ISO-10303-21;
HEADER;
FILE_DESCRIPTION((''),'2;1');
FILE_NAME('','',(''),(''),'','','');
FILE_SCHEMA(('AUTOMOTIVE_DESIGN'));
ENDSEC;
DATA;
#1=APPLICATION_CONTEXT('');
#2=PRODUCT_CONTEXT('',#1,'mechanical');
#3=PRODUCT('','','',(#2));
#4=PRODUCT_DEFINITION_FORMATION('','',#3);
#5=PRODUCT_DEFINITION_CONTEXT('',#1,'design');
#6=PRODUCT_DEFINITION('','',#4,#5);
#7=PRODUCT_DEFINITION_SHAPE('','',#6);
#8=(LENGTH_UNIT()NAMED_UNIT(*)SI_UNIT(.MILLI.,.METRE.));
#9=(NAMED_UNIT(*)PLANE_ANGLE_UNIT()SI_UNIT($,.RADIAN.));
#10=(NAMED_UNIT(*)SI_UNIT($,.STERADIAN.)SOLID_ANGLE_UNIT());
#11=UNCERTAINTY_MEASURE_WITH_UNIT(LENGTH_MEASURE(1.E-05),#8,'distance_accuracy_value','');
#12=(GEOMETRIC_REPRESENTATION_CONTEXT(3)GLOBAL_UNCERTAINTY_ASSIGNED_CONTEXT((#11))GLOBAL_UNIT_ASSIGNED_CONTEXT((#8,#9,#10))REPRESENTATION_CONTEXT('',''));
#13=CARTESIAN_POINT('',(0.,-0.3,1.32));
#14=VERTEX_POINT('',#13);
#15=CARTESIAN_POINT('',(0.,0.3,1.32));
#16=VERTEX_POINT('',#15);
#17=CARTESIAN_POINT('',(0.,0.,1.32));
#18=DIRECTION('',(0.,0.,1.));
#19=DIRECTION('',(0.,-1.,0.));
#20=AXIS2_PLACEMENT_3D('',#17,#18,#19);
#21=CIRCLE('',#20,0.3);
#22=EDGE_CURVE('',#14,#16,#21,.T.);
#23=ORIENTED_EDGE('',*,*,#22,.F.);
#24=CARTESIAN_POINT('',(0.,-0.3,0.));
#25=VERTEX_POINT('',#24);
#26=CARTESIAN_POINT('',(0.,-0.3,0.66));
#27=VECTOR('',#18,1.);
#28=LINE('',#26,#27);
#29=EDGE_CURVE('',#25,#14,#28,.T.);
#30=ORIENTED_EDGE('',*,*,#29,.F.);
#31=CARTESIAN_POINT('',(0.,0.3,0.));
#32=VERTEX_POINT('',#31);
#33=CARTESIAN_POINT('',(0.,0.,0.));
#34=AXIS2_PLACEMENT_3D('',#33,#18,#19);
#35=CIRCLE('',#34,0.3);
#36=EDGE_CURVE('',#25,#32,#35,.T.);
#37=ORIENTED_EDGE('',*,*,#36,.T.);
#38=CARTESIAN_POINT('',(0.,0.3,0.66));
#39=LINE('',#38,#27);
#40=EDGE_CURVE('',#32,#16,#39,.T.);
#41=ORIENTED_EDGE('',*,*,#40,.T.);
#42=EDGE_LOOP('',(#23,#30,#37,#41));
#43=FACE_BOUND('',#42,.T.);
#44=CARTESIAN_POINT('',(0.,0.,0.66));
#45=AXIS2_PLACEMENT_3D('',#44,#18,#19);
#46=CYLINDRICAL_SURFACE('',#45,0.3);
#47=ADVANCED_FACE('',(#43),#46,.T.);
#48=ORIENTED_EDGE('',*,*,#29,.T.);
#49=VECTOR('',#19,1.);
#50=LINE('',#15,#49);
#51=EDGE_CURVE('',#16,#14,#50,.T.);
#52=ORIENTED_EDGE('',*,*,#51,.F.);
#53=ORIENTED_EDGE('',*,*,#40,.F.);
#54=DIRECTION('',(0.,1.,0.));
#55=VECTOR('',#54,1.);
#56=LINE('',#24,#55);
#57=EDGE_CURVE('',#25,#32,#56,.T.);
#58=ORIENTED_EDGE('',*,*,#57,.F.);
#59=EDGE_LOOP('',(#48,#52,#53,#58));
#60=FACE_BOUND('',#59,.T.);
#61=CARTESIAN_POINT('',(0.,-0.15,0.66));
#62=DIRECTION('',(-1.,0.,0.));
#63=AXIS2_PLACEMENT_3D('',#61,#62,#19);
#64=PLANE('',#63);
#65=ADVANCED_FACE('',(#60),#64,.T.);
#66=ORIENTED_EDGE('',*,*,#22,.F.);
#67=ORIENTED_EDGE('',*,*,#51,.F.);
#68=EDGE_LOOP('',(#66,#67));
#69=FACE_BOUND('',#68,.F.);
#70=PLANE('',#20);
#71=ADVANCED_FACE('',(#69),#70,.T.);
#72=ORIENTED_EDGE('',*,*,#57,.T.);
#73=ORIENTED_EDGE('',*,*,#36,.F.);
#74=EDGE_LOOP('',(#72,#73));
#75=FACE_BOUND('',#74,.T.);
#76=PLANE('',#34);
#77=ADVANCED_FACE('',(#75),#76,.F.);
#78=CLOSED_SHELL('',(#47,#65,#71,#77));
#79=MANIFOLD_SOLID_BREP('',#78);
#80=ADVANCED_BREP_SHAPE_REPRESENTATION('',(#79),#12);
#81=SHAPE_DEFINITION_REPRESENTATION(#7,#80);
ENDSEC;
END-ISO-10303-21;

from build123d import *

# Parameters (mm, degrees)
CYLINDER_W     = 0.3
CYLINDER_H     = 1.32
CYLINDER_ANGLE = 180


with BuildPart() as part:
    # Cylinder → Cylinder (revolve)
    with BuildSketch(Plane(origin=(0, 0, 0), x_dir=(0, -1, 0), z_dir=(-1, 0, 0))):
        with Locations((0.15, 0.66)):
            Rectangle(CYLINDER_W, CYLINDER_H)
    revolve(axis=Axis((0, 0, 0), (0, 0, 1)), revolution_arc=CYLINDER_ANGLE)


solid = part.part
